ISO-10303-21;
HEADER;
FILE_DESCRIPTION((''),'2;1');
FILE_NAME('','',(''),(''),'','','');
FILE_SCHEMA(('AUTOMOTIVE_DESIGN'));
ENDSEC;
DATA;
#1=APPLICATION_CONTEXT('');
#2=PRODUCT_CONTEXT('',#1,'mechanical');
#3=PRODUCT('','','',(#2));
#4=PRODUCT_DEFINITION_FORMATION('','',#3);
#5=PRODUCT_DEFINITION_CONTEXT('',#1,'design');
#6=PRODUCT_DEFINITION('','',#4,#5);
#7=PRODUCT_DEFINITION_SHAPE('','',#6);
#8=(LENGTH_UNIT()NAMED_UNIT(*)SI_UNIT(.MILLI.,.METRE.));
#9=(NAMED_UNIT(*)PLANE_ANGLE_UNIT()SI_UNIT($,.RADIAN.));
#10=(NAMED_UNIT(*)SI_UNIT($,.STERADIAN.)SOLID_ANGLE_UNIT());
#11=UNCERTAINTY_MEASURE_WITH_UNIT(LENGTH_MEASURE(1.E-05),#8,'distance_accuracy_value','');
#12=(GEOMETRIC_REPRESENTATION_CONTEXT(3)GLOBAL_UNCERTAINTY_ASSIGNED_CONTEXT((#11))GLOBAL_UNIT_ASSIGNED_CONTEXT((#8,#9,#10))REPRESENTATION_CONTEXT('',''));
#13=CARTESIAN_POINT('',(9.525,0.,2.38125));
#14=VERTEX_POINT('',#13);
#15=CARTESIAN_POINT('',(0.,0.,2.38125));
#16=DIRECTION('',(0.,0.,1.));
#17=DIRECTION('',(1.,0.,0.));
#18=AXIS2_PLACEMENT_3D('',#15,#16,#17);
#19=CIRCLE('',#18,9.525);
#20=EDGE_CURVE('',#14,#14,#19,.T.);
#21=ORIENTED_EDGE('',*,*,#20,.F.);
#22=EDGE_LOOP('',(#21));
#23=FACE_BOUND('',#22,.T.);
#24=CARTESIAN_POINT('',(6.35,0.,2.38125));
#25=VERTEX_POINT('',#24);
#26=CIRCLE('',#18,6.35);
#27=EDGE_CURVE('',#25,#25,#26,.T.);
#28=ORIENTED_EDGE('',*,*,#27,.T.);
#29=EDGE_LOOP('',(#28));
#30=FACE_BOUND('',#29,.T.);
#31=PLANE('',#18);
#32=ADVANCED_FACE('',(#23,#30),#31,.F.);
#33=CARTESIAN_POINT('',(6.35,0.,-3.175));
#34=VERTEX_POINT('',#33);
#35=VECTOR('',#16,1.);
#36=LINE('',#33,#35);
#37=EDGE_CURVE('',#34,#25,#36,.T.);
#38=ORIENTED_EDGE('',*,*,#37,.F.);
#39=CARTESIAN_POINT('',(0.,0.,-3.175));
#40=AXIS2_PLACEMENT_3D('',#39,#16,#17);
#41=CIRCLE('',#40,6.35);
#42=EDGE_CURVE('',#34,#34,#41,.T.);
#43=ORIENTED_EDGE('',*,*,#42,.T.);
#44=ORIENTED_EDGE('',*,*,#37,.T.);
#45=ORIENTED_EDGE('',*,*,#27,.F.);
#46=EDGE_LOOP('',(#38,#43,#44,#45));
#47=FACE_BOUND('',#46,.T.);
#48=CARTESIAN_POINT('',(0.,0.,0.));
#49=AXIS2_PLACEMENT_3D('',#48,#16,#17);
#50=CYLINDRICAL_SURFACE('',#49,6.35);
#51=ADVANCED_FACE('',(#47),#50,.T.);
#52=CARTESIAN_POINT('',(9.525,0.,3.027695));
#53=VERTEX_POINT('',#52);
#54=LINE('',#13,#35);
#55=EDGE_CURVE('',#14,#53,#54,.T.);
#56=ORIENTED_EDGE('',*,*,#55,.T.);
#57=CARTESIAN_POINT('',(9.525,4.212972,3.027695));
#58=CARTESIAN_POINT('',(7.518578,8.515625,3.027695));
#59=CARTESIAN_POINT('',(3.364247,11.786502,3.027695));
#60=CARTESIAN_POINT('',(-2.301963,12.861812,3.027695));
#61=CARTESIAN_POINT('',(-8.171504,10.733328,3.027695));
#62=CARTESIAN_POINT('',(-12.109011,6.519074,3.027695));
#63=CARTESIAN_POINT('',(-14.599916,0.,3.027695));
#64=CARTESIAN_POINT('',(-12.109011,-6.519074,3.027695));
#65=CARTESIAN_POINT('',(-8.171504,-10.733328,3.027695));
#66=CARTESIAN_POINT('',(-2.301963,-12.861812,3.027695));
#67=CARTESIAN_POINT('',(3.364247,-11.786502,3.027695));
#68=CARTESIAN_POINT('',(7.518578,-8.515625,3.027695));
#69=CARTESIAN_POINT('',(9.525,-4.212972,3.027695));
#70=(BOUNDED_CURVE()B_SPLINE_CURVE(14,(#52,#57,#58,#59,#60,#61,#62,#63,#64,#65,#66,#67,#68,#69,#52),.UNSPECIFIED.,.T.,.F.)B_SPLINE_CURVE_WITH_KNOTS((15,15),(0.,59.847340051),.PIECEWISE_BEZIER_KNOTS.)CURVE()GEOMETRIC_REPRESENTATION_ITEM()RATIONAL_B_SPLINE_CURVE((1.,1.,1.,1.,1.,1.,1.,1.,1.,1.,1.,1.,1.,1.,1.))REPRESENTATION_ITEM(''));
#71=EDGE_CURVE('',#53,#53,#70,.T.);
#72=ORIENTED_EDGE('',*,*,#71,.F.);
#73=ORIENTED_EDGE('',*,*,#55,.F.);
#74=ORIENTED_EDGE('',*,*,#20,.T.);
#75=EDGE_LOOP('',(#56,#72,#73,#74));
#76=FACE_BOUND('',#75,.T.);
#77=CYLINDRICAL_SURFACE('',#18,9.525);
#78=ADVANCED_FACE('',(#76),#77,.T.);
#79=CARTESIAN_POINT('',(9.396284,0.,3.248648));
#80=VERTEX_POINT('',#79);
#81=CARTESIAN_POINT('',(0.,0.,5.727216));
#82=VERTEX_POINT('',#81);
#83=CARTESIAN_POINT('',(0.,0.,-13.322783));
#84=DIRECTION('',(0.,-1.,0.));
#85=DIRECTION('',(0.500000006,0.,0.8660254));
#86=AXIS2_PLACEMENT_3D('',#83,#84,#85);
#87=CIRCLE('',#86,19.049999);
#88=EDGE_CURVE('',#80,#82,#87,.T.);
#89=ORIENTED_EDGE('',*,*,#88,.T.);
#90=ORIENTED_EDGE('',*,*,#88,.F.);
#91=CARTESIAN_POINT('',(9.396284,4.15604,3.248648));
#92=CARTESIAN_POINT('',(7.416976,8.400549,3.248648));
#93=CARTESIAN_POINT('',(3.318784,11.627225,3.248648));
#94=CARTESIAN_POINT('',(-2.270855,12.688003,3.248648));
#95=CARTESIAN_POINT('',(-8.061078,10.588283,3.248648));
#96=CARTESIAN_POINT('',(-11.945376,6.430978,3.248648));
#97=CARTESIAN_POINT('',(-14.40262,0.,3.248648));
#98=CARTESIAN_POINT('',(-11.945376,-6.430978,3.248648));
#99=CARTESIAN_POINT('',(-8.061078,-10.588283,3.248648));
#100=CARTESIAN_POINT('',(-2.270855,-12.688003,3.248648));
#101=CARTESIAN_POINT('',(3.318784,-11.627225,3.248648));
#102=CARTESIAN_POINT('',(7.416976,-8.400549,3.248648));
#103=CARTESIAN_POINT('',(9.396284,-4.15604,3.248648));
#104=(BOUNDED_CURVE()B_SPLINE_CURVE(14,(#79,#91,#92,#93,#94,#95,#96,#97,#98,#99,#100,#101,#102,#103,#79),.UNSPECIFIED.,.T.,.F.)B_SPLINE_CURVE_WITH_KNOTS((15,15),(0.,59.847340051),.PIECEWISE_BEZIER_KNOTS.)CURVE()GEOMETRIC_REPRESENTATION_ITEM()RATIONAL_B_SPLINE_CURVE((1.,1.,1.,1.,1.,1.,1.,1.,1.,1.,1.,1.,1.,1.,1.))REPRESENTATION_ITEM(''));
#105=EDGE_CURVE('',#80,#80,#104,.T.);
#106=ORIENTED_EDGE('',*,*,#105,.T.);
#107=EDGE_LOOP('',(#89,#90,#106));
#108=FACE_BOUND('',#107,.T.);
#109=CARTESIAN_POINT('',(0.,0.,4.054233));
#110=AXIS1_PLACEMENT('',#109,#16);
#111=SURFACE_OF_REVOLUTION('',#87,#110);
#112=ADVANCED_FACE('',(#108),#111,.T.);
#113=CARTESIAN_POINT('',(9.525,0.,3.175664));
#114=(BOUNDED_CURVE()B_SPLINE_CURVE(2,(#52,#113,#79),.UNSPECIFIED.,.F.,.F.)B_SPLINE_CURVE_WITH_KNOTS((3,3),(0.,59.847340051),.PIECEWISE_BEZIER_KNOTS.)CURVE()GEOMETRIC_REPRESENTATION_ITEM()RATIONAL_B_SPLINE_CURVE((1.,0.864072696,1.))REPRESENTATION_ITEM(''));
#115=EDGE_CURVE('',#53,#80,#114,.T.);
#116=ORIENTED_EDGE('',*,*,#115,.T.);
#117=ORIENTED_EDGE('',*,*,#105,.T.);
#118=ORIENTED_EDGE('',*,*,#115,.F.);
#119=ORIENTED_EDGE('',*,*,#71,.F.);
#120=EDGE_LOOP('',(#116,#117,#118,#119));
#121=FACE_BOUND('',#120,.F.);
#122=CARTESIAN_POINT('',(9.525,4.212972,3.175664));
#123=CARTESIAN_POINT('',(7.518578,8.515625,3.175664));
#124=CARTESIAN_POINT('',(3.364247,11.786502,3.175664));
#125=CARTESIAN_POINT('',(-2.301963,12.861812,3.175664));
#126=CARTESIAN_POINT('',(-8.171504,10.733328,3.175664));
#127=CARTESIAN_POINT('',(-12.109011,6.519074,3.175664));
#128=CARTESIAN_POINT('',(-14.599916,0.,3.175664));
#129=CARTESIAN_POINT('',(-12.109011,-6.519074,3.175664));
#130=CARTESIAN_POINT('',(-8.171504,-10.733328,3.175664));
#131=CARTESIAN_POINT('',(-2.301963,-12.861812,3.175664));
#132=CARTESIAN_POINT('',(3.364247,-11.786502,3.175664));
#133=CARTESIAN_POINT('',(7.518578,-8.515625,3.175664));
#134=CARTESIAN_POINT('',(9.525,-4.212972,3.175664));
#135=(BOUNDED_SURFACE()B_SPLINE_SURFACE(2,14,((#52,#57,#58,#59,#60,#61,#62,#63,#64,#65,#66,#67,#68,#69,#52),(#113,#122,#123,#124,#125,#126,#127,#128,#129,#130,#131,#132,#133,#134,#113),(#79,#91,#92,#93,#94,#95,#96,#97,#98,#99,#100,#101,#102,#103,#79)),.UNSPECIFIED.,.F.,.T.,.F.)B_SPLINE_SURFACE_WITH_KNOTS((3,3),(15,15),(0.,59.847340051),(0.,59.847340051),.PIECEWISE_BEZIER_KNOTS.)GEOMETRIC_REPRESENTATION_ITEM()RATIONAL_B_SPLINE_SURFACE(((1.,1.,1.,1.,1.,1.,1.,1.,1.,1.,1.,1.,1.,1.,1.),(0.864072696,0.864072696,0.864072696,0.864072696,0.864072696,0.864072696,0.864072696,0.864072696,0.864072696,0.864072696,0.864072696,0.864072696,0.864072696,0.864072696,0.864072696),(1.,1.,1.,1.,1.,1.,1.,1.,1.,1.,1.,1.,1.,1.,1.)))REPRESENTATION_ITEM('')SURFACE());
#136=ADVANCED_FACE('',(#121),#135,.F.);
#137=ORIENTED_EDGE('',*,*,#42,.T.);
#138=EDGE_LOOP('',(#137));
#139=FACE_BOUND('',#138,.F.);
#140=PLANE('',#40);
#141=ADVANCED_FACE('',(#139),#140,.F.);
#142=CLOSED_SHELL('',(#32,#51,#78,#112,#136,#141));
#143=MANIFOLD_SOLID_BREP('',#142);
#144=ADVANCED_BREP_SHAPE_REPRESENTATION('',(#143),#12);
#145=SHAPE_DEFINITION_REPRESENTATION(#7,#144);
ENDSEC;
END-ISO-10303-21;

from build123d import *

# Parameters (mm, degrees)
F0_R     = 6.35
F1_DEPTH = 3.175
F4_R     = 0.254


with BuildPart() as f1:
    # F0 (on Top) → F1 (new body, symmetric)
    with BuildSketch(Plane.XY):
        Circle(F0_R)
    extrude(amount=F1_DEPTH, both=True)

    # F2 (on Front) → F3 (revolve)
    with BuildSketch(Plane.XZ):
        with BuildLine():
            Line((9.525, 2.38125), (9.525, 3.175))
            ThreePointArc((9.525, 3.175), (4.930503, 5.078103), (0, 5.727216))
            Line((0, 5.727216), (0, 2.38125))
            Line((0, 2.38125), (9.525, 2.38125))
        make_face()
    revolve(axis=Axis((0, 0, 4.054233), (0, 0, 1)))

    # F4
    f4_edges = [f1.edges().sort_by_distance(p)[0] for p in [
        (-9.525, 0, 3.175),
    ]]
    fillet(f4_edges, radius=F4_R)


solid = f1.part
